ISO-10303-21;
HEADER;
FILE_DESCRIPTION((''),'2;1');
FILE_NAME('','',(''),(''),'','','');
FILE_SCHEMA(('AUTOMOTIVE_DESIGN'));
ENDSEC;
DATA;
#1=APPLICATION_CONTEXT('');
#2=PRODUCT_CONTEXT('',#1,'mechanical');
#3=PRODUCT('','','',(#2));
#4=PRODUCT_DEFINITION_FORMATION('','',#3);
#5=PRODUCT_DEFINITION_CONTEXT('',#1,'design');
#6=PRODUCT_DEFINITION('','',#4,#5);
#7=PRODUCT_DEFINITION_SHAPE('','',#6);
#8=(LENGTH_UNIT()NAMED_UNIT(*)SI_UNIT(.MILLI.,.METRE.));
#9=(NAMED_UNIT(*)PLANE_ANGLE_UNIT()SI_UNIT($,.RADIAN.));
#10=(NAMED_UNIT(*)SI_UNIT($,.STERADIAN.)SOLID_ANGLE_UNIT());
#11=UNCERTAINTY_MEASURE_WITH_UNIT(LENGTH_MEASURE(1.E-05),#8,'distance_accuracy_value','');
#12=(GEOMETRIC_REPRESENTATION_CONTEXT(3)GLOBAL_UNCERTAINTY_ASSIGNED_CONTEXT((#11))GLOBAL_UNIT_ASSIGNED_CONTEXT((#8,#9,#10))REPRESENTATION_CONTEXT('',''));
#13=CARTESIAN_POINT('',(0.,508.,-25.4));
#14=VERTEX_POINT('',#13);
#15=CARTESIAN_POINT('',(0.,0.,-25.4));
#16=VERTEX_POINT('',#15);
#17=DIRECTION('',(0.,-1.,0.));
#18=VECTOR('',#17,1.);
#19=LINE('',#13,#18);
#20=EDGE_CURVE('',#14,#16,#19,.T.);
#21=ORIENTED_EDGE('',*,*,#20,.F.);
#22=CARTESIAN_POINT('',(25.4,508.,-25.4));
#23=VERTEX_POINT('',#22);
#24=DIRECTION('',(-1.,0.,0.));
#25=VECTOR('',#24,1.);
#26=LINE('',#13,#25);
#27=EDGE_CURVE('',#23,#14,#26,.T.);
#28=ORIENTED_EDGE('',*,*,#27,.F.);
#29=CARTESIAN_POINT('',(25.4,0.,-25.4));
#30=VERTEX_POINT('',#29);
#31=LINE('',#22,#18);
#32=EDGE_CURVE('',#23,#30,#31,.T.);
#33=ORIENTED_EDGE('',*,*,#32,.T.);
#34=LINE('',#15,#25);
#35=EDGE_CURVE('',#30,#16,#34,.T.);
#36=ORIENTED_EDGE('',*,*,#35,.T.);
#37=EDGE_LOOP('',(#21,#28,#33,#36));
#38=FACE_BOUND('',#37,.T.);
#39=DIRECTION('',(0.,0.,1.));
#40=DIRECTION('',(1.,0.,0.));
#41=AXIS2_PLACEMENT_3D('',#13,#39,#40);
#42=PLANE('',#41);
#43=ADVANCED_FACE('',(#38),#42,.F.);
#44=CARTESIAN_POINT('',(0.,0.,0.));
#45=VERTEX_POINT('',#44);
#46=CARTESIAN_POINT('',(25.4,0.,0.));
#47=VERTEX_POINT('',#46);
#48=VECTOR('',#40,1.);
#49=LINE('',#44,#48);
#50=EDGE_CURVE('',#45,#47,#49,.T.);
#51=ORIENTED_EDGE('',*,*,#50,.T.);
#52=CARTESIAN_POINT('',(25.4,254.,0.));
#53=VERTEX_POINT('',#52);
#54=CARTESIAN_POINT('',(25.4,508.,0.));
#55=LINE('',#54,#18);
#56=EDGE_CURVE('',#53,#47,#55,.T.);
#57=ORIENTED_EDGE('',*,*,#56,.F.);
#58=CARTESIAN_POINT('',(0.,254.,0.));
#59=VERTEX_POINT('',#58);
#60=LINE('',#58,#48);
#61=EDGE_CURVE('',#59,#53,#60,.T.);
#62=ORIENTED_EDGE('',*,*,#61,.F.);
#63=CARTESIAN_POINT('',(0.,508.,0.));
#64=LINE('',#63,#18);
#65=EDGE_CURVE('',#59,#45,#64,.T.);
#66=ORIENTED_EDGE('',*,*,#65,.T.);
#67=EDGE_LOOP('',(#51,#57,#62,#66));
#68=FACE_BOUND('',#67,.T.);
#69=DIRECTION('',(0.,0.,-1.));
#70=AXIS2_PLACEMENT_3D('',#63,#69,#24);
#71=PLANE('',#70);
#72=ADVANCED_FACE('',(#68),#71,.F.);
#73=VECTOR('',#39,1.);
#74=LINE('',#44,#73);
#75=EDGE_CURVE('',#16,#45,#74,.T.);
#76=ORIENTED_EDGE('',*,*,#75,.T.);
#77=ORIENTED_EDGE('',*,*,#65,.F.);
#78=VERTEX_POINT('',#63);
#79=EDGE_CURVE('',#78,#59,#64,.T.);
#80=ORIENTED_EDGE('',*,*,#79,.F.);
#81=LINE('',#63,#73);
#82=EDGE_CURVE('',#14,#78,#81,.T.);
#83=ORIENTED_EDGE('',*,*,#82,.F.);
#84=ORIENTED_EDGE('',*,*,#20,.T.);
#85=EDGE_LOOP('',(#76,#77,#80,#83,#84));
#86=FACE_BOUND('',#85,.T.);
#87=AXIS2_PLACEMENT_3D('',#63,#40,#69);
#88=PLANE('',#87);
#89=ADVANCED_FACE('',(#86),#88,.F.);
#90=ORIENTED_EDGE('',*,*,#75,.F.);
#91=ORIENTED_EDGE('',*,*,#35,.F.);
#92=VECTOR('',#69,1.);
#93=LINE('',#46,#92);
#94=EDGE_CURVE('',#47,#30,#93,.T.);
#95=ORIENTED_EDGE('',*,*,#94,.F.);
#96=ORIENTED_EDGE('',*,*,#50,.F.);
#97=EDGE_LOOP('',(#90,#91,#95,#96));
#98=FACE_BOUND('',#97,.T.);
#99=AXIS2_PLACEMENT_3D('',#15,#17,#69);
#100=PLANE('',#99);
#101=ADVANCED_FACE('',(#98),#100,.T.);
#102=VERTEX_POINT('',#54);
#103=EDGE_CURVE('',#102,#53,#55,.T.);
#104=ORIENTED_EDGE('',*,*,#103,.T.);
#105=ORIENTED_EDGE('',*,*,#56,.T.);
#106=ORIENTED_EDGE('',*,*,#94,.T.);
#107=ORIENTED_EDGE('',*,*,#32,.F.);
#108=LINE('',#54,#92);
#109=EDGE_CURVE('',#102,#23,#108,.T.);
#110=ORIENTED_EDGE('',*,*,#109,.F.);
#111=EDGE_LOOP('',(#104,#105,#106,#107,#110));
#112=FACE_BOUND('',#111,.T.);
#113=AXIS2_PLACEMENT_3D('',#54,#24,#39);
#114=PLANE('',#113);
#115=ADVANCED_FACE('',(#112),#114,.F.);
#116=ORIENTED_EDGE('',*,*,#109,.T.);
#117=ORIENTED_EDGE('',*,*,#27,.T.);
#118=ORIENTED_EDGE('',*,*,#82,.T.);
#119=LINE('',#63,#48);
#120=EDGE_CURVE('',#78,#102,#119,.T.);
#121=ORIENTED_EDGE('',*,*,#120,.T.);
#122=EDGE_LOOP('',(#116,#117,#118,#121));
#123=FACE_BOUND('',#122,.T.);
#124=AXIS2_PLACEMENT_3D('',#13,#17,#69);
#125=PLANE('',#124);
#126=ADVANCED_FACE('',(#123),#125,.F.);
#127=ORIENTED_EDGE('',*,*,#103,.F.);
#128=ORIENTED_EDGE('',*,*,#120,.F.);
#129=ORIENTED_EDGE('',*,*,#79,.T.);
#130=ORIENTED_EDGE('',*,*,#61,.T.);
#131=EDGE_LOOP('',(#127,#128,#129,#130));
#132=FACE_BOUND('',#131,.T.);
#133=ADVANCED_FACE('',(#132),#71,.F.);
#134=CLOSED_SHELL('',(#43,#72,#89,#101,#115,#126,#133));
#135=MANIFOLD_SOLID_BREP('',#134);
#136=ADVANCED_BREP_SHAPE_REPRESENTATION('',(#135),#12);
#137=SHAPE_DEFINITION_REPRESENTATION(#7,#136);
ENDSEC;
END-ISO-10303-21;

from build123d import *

# Parameters (mm, degrees)
SKETCH1_W      = 25.4
SKETCH1_H      = 25.4
EXTRUDE1_DEPTH = 508


with BuildPart() as part:
    # Sketch1 → Extrude1 (new body)
    with BuildSketch(Plane(origin=(0, 0, 0), x_dir=(1, 0, 0), z_dir=(0, 1, 0))):
        with Locations((12.7, 12.7)):
            Rectangle(SKETCH1_W, SKETCH1_H)
    extrude(amount=EXTRUDE1_DEPTH)


solid = part.part
